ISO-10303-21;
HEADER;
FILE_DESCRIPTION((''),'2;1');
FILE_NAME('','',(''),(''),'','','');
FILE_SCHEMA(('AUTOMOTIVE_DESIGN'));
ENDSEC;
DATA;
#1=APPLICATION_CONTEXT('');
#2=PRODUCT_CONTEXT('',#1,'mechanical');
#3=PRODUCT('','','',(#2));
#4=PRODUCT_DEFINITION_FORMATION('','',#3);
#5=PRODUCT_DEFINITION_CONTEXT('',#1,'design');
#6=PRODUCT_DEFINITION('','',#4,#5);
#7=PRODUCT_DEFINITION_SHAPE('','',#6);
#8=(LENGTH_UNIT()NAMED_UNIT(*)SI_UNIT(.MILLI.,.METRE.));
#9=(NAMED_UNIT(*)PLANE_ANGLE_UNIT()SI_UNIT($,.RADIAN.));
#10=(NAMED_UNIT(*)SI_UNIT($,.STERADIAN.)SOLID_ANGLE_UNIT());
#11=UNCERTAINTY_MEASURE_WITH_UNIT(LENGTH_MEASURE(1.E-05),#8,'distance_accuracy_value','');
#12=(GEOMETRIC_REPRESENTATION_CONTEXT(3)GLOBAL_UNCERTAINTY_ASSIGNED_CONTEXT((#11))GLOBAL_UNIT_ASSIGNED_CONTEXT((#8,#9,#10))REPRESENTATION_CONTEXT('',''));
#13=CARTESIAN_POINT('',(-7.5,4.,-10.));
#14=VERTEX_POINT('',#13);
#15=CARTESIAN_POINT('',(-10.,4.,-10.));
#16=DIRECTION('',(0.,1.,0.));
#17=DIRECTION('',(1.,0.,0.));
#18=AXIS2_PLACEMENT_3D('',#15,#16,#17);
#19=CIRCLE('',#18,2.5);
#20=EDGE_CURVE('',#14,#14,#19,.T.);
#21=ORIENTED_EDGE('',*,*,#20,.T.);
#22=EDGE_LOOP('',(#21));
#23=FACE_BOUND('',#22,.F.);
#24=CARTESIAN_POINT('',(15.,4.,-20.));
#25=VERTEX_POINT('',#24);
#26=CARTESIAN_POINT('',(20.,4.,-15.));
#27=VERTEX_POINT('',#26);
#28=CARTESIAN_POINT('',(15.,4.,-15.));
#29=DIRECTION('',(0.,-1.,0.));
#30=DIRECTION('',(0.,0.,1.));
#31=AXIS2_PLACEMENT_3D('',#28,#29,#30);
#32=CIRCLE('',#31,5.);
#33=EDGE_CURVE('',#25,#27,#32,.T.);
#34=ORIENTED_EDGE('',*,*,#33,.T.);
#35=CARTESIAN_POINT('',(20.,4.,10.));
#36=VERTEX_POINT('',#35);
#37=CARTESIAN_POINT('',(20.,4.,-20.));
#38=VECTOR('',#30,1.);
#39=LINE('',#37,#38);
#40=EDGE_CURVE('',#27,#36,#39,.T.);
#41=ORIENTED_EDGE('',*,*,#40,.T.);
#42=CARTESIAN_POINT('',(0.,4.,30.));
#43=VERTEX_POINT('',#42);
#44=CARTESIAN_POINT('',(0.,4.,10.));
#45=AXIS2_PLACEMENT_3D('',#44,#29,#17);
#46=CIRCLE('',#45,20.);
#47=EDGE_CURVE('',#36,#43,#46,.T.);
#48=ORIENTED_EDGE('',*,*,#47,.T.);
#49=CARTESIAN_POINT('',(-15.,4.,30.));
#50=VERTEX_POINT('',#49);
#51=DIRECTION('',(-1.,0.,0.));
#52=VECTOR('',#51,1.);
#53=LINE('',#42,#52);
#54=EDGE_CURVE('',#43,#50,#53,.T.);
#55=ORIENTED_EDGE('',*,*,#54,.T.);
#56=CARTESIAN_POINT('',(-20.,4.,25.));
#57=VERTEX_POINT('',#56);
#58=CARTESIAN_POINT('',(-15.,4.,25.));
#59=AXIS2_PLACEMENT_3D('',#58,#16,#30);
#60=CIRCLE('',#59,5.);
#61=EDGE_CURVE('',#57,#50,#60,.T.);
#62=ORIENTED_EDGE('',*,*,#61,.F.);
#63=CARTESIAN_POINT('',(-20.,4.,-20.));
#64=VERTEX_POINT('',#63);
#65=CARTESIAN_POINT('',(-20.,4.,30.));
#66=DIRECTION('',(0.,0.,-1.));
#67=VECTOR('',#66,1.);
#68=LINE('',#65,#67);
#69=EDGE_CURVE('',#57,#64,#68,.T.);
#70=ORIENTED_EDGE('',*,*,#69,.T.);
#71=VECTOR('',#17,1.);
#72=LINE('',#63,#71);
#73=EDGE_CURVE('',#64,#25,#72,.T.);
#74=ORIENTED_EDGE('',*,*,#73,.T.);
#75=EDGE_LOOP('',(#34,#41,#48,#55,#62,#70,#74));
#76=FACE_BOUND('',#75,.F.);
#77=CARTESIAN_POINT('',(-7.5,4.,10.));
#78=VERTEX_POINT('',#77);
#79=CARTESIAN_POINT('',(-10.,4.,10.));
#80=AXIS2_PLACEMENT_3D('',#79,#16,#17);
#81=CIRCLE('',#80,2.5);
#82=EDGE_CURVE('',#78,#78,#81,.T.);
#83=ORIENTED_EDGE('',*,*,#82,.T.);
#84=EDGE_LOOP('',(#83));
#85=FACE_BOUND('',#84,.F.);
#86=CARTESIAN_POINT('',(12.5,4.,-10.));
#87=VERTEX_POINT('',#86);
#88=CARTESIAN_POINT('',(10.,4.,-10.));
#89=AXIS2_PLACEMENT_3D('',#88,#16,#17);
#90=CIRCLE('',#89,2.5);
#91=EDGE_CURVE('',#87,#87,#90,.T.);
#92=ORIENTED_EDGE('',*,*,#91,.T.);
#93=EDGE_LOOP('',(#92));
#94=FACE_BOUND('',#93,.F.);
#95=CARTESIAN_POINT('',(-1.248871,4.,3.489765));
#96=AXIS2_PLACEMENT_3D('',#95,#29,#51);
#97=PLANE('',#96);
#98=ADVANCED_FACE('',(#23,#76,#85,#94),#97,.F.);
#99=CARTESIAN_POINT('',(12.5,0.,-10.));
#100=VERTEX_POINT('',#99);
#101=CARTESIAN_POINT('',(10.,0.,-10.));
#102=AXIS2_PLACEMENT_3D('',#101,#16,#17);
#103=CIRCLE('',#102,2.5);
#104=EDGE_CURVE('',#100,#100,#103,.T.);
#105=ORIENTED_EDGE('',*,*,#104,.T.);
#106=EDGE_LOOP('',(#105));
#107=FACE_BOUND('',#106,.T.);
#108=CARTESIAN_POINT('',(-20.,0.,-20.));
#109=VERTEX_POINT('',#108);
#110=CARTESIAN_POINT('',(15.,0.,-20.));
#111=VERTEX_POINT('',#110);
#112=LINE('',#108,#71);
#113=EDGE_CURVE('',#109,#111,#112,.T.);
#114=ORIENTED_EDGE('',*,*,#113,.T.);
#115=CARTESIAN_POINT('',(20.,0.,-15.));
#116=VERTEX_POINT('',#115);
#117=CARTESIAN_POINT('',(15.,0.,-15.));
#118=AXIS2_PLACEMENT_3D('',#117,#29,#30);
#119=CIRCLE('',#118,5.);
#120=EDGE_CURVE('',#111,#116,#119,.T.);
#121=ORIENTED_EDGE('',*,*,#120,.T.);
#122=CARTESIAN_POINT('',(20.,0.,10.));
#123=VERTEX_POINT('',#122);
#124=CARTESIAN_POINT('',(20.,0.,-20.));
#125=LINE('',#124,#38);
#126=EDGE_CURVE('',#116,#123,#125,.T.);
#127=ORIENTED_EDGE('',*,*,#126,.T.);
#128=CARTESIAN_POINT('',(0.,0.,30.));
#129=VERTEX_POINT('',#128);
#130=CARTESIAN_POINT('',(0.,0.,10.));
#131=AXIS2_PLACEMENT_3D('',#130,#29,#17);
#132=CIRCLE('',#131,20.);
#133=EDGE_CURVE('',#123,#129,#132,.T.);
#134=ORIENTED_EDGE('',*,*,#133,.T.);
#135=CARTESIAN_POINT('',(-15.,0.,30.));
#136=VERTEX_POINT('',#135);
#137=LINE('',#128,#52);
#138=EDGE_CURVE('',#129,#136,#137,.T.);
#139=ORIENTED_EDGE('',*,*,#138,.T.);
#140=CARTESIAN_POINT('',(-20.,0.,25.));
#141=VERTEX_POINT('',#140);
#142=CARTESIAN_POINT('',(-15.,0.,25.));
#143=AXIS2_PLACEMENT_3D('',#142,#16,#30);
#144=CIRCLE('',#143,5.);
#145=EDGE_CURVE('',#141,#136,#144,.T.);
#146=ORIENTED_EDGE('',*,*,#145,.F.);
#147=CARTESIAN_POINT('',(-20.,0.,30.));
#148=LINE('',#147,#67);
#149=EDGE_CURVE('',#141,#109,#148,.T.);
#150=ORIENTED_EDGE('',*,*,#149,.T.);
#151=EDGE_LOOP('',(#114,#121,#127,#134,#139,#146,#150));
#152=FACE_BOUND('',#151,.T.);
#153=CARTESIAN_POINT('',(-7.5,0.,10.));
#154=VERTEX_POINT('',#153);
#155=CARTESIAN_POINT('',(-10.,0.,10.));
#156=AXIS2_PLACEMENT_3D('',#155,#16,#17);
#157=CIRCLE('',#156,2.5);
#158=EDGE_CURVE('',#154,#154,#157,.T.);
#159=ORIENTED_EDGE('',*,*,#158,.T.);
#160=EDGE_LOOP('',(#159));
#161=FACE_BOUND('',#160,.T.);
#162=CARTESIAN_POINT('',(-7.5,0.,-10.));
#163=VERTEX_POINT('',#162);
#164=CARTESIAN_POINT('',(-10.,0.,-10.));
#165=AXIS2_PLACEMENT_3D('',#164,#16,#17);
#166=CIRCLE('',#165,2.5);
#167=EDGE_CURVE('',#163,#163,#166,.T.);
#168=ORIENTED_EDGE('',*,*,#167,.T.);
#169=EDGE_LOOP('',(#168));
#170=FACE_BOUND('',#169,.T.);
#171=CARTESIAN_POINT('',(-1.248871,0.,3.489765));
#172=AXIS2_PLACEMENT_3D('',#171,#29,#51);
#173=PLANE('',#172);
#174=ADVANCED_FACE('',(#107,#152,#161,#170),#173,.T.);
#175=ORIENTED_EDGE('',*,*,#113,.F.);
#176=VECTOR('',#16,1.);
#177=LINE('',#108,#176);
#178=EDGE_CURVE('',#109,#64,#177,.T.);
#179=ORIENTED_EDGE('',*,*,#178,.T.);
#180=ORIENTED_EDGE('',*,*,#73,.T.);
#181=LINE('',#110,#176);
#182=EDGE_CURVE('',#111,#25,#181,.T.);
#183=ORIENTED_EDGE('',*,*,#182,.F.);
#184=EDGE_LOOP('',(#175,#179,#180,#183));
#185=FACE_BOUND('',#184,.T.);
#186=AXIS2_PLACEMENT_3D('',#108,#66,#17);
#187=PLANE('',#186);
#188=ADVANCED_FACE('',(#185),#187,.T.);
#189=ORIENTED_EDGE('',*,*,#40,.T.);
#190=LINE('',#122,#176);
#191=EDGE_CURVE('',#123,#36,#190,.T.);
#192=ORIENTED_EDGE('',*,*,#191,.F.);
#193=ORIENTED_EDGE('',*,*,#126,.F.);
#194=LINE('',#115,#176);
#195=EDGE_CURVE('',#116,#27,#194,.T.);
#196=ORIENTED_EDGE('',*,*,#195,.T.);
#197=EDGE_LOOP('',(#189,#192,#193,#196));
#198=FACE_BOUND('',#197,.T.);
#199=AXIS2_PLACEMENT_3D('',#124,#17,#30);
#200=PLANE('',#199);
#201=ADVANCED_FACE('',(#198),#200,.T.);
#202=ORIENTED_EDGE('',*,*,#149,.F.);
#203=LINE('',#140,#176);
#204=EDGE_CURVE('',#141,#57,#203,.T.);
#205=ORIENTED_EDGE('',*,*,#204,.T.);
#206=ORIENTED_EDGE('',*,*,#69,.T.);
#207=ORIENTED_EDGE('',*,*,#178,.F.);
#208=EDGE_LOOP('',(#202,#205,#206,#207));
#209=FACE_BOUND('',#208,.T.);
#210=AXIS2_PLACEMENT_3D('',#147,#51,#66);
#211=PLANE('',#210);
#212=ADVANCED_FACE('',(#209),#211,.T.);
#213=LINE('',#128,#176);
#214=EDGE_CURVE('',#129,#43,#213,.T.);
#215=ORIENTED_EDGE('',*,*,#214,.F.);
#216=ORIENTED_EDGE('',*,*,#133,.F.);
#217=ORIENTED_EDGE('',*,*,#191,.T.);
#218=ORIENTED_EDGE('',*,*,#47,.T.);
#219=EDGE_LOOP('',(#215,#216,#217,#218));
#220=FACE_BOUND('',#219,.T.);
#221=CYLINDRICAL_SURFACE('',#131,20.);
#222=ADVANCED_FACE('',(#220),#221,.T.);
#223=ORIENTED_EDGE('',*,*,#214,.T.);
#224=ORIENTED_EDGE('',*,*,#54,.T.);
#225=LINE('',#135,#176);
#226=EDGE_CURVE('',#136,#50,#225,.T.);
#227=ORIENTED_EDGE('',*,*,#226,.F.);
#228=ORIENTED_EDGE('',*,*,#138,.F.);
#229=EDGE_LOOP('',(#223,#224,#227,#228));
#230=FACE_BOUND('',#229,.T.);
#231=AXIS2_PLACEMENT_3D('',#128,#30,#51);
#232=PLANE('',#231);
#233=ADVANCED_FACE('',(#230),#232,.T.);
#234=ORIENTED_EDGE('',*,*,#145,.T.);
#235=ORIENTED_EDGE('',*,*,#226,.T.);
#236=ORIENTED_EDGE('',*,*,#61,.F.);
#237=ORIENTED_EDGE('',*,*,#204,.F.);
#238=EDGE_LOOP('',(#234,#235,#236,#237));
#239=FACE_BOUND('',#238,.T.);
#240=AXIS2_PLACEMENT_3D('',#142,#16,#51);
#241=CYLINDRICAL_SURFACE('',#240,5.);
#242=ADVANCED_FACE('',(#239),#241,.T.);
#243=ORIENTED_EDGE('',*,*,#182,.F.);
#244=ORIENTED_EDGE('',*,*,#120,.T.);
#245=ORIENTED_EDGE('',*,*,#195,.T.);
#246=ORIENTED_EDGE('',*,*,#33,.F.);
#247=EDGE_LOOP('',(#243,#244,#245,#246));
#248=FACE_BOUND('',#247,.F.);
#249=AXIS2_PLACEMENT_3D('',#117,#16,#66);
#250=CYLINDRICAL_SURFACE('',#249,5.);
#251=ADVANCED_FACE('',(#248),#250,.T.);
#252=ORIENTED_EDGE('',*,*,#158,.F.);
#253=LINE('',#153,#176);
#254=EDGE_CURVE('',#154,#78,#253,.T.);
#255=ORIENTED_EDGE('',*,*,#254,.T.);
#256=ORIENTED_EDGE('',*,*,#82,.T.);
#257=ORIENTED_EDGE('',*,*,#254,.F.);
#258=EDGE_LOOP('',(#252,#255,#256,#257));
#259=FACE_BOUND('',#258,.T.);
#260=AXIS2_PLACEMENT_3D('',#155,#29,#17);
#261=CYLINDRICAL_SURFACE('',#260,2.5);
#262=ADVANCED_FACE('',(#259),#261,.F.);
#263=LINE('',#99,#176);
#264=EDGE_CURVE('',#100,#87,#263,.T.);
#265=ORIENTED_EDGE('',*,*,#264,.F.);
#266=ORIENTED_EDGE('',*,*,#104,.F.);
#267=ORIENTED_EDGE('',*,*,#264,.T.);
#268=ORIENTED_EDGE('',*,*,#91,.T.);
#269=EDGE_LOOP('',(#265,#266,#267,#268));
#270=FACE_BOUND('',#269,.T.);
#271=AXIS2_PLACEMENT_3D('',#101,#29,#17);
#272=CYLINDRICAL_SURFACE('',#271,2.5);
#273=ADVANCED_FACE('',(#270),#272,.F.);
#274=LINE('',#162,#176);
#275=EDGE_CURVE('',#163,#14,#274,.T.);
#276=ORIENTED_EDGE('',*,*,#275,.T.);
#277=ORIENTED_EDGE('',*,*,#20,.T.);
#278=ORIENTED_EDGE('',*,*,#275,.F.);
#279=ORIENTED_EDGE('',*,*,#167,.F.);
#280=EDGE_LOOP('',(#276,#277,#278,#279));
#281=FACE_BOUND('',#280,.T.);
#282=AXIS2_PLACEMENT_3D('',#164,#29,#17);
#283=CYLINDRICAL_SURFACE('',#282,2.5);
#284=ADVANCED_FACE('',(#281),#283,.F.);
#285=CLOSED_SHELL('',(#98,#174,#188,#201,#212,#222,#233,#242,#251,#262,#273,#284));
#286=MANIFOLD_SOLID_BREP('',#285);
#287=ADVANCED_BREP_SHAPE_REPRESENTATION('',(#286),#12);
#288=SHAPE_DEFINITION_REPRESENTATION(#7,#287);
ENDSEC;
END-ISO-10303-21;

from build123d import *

# Parameters (mm, degrees)
SKETCH1_R           = 2.5
BOSS_EXTRUDE1_DEPTH = 4
FILLET1_R           = 5


with BuildPart() as part:
    # Sketch1 → Boss-Extrude1 (new body)
    with BuildSketch(Plane(origin=(0, 0, 0), x_dir=(1, 0, 0), z_dir=(0, 1, 0))):
        with BuildLine():
            Line((-20, 20), (20, 20))
            Line((20, 20), (20, -10))
            ThreePointArc((20, -10), (14.142135624, -24.142135624), (0, -30))
            Line((0, -30), (-20, -30))
            Line((-20, -30), (-20, 20))
        make_face()
        with Locations((-10, 10)):
            Circle(SKETCH1_R, mode=Mode.SUBTRACT)
        with Locations((10, 10)):
            Circle(SKETCH1_R, mode=Mode.SUBTRACT)
        with Locations((-10, -10)):
            Circle(SKETCH1_R, mode=Mode.SUBTRACT)
    extrude(amount=BOSS_EXTRUDE1_DEPTH)

    # Fillet1
    fillet1_edges = [part.edges().sort_by_distance(p)[0] for p in [
        (20, 2, -20),
        (-20, 2, 30),
    ]]
    fillet(fillet1_edges, radius=FILLET1_R)


solid = part.part
